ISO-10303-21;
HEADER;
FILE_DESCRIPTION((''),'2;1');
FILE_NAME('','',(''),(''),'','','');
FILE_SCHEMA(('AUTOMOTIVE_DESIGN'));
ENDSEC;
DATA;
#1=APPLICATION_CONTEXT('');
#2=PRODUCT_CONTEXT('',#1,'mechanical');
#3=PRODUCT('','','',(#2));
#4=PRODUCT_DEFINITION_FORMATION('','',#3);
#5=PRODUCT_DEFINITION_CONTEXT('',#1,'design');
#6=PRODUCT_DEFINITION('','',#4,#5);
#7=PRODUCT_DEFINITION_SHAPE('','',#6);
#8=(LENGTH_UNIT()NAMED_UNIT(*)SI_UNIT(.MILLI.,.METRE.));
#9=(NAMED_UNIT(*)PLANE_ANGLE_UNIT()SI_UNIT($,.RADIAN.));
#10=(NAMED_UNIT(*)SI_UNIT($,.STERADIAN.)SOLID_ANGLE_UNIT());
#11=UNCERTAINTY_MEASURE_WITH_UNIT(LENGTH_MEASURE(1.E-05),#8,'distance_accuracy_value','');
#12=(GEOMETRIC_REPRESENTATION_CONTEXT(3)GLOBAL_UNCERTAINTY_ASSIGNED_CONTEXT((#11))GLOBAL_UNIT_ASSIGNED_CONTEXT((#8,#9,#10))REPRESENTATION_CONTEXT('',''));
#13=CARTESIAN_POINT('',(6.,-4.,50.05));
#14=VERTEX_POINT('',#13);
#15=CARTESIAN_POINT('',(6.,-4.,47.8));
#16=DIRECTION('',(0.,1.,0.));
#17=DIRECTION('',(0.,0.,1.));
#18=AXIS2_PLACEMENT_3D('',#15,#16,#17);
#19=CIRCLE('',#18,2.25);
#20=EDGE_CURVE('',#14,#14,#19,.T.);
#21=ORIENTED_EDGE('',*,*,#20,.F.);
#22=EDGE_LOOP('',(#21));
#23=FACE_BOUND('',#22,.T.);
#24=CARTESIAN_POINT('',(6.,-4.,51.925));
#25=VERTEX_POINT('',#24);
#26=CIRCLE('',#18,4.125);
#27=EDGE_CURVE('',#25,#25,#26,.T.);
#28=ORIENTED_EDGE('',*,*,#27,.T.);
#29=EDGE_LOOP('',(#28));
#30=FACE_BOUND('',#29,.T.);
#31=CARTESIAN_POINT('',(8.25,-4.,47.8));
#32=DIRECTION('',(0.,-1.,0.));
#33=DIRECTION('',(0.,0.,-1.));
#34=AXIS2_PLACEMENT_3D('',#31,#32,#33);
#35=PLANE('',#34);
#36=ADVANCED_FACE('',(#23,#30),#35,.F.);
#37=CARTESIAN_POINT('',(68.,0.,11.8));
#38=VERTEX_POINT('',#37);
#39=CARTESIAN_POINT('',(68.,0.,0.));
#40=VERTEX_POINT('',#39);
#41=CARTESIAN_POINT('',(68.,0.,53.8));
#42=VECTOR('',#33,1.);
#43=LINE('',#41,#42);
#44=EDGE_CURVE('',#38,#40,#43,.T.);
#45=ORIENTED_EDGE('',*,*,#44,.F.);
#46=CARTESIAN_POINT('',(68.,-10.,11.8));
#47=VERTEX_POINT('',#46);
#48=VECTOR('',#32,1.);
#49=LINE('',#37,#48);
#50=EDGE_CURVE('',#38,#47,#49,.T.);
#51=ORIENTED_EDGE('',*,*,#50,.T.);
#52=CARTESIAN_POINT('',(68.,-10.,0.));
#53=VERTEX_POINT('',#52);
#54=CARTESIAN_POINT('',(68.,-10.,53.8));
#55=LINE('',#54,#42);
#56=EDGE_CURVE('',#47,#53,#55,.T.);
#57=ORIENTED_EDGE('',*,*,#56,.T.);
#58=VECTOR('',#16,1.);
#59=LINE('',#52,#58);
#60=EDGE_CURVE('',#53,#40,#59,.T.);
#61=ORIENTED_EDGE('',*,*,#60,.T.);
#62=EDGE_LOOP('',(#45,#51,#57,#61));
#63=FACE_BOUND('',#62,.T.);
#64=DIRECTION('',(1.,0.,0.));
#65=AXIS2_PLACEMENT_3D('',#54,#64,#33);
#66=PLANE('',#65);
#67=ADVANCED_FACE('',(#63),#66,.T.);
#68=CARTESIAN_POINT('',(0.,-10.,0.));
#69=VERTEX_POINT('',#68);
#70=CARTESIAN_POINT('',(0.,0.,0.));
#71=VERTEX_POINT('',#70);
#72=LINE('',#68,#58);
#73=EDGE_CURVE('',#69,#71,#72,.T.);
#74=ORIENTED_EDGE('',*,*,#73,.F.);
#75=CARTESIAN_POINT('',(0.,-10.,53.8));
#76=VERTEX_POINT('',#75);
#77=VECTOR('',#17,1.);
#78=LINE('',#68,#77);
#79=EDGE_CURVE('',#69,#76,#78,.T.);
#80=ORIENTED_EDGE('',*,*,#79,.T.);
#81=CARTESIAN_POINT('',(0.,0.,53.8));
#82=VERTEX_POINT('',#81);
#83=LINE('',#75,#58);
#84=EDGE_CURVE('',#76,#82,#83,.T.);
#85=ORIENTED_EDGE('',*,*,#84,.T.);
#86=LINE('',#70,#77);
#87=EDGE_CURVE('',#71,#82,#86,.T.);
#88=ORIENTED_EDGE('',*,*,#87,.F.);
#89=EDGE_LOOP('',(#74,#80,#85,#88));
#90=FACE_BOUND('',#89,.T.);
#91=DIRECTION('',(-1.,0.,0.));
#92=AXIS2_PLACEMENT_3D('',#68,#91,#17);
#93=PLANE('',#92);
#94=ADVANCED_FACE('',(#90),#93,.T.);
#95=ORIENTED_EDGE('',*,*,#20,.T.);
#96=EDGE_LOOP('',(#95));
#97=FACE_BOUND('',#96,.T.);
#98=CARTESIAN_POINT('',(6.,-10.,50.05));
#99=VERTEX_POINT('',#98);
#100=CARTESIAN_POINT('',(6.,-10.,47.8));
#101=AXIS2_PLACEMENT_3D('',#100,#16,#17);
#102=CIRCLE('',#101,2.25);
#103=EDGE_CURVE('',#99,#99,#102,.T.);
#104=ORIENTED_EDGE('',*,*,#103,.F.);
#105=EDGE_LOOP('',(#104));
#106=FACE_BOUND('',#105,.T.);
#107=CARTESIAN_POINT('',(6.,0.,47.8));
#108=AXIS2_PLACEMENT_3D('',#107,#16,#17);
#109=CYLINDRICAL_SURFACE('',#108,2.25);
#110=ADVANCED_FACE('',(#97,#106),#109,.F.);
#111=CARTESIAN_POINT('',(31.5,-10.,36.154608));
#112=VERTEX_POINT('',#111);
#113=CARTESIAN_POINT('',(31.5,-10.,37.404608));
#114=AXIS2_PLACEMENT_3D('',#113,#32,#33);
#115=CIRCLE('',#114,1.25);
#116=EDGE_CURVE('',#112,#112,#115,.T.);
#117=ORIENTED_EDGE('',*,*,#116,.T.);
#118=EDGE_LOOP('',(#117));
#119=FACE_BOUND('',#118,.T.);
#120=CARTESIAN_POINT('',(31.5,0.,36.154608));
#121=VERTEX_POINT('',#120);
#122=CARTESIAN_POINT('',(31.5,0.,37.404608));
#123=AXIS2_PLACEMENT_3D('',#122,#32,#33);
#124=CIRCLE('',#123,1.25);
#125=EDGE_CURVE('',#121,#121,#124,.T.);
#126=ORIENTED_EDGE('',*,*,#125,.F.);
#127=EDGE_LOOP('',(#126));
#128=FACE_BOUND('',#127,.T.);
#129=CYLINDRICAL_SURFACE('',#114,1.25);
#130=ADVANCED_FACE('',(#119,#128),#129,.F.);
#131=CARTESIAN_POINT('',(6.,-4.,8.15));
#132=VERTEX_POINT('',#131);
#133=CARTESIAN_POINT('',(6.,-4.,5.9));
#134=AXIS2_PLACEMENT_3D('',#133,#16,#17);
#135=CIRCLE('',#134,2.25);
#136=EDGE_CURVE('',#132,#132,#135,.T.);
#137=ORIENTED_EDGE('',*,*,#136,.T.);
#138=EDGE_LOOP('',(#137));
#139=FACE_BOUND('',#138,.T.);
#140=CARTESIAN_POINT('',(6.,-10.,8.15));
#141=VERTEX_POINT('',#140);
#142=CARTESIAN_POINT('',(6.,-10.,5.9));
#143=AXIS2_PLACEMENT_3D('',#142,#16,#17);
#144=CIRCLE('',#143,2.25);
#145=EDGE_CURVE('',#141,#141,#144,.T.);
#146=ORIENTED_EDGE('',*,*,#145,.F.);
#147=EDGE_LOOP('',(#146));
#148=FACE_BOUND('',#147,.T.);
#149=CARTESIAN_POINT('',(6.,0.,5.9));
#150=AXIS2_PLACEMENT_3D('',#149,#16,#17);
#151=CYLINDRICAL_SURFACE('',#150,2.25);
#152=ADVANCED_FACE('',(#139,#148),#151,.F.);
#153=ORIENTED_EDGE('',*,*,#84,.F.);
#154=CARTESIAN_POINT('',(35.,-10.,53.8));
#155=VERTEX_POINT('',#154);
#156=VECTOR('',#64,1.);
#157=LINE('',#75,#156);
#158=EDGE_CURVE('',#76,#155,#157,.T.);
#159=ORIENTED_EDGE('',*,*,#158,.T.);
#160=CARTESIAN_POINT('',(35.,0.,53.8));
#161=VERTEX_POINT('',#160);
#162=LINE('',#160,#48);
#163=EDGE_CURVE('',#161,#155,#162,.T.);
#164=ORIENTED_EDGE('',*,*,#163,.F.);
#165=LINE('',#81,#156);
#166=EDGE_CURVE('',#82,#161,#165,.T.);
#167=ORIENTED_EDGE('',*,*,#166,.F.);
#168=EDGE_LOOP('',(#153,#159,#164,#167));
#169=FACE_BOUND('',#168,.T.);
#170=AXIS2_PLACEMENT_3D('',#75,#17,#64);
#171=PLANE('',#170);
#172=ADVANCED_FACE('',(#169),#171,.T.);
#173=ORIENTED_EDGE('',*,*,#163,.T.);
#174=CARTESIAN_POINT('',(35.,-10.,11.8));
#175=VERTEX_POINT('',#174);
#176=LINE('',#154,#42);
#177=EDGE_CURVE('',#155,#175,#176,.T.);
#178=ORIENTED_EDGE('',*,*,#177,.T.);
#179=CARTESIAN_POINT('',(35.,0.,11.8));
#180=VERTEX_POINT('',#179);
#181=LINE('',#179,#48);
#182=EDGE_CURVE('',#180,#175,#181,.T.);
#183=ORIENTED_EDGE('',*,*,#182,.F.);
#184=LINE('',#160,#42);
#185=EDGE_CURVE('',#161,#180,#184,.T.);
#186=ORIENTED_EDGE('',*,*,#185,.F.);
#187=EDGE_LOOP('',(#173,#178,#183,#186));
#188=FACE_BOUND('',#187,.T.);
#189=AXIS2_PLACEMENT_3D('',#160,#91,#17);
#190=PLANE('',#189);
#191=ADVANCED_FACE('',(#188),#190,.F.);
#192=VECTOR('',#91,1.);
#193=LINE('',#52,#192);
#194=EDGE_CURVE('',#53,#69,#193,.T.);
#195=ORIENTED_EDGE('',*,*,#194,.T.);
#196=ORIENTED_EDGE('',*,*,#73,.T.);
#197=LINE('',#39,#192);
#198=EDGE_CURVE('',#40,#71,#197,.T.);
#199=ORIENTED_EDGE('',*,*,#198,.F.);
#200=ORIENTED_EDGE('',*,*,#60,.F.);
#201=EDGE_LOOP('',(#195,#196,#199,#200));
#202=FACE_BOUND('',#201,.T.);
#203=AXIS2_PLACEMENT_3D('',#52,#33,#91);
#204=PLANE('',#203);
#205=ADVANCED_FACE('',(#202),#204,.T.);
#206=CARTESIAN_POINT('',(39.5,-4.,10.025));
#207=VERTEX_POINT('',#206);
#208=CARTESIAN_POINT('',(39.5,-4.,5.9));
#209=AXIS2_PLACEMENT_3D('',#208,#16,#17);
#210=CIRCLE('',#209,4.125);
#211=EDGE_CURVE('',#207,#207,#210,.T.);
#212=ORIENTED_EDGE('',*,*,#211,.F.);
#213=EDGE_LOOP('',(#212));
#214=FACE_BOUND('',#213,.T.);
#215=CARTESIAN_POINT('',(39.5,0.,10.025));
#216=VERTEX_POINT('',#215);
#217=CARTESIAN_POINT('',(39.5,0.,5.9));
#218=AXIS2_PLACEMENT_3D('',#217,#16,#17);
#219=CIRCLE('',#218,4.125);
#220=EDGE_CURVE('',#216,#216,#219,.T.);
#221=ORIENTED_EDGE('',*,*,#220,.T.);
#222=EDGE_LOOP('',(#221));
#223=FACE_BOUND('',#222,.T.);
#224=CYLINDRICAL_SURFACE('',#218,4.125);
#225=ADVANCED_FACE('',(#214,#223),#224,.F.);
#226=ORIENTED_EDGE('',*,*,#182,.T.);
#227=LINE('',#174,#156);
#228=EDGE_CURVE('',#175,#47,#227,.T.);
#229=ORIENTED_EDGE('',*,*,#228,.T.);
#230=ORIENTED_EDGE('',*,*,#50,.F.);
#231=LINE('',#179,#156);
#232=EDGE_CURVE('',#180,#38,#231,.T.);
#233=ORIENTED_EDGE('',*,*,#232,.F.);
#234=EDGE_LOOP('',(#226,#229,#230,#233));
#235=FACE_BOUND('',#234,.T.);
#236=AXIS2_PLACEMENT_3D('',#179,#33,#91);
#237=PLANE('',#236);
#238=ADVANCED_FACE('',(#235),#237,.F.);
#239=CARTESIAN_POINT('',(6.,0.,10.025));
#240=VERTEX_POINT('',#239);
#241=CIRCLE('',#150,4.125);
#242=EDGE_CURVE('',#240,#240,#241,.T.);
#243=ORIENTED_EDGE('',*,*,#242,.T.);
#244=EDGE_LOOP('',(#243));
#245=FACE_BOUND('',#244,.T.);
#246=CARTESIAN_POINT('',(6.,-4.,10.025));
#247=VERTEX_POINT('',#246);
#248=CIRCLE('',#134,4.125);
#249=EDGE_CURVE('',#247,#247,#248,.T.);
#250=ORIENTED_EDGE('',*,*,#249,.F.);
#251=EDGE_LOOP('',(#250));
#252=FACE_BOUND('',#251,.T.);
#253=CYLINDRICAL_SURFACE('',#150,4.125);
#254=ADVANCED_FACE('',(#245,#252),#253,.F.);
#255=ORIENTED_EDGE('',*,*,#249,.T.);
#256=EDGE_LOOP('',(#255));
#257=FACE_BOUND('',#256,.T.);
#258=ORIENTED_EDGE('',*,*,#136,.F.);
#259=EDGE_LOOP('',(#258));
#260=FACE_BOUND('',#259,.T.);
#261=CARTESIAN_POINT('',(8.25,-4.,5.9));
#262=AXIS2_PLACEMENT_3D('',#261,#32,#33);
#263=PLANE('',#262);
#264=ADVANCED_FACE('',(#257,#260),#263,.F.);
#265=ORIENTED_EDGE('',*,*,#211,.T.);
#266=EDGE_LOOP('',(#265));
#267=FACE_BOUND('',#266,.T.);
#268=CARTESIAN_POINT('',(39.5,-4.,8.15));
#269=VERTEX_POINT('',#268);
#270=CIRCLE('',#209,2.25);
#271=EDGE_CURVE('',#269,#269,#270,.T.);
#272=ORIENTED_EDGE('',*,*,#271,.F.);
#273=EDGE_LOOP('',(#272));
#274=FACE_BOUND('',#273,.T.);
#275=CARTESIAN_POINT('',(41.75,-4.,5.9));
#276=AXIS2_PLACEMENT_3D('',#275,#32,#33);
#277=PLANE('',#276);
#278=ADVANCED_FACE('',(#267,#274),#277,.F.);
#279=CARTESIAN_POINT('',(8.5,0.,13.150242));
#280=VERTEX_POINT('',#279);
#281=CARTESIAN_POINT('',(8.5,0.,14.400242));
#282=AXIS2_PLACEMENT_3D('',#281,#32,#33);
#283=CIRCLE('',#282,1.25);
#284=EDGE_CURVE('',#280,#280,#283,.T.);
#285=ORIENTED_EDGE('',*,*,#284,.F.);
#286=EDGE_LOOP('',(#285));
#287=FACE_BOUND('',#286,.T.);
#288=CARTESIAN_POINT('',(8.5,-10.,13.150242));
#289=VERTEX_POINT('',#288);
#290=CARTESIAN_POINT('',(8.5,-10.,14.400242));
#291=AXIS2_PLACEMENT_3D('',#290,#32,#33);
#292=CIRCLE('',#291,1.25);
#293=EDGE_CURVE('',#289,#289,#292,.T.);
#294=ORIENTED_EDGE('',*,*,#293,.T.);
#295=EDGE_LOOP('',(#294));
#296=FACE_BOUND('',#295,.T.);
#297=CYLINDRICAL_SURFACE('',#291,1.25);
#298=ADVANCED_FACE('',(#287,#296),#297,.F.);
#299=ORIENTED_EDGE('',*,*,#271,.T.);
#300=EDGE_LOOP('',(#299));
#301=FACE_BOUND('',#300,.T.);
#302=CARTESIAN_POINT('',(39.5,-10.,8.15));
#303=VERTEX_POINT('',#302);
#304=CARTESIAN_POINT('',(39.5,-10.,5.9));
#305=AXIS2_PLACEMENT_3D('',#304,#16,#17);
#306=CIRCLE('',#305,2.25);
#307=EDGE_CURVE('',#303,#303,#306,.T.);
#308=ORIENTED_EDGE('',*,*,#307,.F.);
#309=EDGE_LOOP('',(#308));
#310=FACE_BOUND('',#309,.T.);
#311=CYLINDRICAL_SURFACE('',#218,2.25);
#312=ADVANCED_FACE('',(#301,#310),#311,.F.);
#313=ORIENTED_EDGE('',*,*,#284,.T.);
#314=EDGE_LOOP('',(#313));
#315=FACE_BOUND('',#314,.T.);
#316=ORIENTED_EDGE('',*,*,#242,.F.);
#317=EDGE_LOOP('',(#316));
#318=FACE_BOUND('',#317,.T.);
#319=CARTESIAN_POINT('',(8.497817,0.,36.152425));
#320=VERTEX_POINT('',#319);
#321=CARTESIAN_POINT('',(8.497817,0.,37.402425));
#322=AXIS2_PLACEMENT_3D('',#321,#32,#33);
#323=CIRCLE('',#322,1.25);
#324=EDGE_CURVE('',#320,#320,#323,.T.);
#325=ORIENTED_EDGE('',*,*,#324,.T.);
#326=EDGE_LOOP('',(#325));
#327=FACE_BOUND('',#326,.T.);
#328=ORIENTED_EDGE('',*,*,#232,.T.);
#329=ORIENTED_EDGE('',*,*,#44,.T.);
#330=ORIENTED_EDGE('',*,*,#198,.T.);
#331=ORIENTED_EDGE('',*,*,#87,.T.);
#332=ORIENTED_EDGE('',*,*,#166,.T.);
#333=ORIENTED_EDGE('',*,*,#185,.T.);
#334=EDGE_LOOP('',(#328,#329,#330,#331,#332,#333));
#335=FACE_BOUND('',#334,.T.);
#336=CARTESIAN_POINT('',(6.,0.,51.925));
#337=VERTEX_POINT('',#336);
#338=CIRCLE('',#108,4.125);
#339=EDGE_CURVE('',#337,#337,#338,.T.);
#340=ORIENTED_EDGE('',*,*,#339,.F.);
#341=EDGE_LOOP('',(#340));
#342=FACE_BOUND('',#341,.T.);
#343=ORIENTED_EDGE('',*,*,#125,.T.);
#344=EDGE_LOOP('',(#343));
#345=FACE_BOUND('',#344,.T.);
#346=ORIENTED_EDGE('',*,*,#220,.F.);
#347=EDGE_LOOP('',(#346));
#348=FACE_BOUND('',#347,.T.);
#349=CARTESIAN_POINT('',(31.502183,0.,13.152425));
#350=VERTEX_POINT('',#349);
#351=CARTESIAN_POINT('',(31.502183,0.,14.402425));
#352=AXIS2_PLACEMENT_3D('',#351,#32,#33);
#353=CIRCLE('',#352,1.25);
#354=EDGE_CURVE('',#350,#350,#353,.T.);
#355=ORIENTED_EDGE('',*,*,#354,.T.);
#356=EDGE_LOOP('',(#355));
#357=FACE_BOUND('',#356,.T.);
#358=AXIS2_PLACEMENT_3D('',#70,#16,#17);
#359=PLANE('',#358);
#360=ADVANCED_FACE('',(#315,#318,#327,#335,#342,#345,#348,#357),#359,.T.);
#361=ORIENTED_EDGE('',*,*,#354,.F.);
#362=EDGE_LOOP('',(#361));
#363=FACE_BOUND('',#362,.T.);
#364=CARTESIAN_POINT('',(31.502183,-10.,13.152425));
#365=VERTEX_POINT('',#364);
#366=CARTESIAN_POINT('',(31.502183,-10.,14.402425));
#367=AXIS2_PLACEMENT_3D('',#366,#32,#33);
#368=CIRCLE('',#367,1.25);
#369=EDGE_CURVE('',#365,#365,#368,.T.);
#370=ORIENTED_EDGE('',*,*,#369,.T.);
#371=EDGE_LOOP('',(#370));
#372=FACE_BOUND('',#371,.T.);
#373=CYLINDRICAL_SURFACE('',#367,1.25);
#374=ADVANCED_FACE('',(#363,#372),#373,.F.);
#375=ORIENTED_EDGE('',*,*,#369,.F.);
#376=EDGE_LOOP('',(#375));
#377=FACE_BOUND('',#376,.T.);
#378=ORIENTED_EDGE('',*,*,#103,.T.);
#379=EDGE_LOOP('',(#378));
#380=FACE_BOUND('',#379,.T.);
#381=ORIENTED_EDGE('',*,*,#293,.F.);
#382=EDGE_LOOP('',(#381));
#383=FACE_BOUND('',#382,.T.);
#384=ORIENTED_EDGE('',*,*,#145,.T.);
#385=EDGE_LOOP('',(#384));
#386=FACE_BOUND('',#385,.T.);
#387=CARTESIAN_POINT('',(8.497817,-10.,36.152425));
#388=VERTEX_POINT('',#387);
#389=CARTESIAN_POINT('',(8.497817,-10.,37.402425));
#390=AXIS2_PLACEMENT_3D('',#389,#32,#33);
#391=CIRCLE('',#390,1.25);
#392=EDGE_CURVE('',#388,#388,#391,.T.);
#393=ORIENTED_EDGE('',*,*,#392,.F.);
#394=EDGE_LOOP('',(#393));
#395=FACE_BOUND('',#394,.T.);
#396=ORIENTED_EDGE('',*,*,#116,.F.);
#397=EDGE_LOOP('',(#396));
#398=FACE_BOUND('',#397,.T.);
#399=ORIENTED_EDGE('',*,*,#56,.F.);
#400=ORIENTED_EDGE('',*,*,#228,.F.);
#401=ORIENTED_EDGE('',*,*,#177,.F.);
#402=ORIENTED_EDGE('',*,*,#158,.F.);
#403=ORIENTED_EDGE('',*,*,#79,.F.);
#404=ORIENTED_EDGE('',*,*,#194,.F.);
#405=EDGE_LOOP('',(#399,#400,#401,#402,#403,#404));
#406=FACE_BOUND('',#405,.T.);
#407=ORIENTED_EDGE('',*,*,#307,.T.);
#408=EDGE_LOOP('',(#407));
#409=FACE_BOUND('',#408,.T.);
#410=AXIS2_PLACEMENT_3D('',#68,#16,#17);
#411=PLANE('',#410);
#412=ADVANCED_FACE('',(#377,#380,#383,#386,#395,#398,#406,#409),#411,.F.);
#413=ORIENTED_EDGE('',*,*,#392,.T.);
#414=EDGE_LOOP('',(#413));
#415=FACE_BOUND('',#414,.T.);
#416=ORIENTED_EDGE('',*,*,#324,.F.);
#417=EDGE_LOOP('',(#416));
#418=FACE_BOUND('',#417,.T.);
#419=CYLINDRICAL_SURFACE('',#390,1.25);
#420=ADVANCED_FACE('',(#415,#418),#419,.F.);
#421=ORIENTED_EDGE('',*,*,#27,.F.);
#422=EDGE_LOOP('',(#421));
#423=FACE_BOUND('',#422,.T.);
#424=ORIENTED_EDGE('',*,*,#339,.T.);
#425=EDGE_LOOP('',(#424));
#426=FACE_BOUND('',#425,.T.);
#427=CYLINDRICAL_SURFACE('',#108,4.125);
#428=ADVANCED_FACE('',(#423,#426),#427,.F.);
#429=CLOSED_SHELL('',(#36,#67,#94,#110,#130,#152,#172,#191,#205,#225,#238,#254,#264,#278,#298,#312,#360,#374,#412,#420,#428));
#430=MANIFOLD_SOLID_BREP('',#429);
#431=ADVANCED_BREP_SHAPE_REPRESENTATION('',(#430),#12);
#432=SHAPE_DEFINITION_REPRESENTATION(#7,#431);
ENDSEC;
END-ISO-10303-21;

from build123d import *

# Parameters (mm, degrees)
SKETCH1_W                                           = 68
SKETCH1_H                                           = 53.8
BOSS_EXTRUDE1_DEPTH                                 = 10
SKETCH2_W                                           = 33
SKETCH2_H                                           = 42
CUT_EXTRUDE1_DEPTH                                  = 11
F_2_CLEARANCE_HOLE1_D                               = 2.5
F_2_CLEARANCE_HOLE1_DEPTH                           = 10
CBORE_FOR_8_BINDING_HEAD_MACHINE_SCREW1_D           = 4.5
CBORE_FOR_8_BINDING_HEAD_MACHINE_SCREW1_DEPTH       = 10
CBORE_FOR_8_BINDING_HEAD_MACHINE_SCREW1_CBORE_D     = 8.25
CBORE_FOR_8_BINDING_HEAD_MACHINE_SCREW1_CBORE_DEPTH = 4


with BuildPart() as part:
    # Sketch1 → Boss-Extrude1 (new body)
    with BuildSketch(Plane(origin=(0, 0, 0), x_dir=(1, 0, 0), z_dir=(0, 1, 0))):
        with Locations((34, -26.9)):
            Rectangle(SKETCH1_W, SKETCH1_H)
    extrude(amount=-BOSS_EXTRUDE1_DEPTH)

    # Sketch2 → Cut-Extrude1 (cut, through all)
    with BuildSketch(Plane.XZ.offset(10)):
        with Locations((51.5, 32.8)):
            Rectangle(SKETCH2_W, SKETCH2_H)
    extrude(amount=-CUT_EXTRUDE1_DEPTH, mode=Mode.SUBTRACT)

    # #2 Clearance Hole1
    with Locations(Plane(origin=(0, -10, 0), x_dir=(-1, 0, 0), z_dir=(0, -1, 0))):
        with Locations((-31.502183488, -14.402425), (-31.5, -37.404608488), (-8.497816512, -37.402425), (-8.5, -14.400241512)):
            Hole(F_2_CLEARANCE_HOLE1_D / 2, depth=F_2_CLEARANCE_HOLE1_DEPTH)

    # CBORE for #8 Binding Head Machine Screw1
    with Locations(Plane(origin=(0, 0, 0), x_dir=(1, 0, 0), z_dir=(0, 1, 0))):
        with Locations((6, -47.8), (6, -5.9), (39.5, -5.9)):
            CounterBoreHole(CBORE_FOR_8_BINDING_HEAD_MACHINE_SCREW1_D / 2, CBORE_FOR_8_BINDING_HEAD_MACHINE_SCREW1_CBORE_D / 2, CBORE_FOR_8_BINDING_HEAD_MACHINE_SCREW1_CBORE_DEPTH, depth=CBORE_FOR_8_BINDING_HEAD_MACHINE_SCREW1_DEPTH)


solid = part.part
